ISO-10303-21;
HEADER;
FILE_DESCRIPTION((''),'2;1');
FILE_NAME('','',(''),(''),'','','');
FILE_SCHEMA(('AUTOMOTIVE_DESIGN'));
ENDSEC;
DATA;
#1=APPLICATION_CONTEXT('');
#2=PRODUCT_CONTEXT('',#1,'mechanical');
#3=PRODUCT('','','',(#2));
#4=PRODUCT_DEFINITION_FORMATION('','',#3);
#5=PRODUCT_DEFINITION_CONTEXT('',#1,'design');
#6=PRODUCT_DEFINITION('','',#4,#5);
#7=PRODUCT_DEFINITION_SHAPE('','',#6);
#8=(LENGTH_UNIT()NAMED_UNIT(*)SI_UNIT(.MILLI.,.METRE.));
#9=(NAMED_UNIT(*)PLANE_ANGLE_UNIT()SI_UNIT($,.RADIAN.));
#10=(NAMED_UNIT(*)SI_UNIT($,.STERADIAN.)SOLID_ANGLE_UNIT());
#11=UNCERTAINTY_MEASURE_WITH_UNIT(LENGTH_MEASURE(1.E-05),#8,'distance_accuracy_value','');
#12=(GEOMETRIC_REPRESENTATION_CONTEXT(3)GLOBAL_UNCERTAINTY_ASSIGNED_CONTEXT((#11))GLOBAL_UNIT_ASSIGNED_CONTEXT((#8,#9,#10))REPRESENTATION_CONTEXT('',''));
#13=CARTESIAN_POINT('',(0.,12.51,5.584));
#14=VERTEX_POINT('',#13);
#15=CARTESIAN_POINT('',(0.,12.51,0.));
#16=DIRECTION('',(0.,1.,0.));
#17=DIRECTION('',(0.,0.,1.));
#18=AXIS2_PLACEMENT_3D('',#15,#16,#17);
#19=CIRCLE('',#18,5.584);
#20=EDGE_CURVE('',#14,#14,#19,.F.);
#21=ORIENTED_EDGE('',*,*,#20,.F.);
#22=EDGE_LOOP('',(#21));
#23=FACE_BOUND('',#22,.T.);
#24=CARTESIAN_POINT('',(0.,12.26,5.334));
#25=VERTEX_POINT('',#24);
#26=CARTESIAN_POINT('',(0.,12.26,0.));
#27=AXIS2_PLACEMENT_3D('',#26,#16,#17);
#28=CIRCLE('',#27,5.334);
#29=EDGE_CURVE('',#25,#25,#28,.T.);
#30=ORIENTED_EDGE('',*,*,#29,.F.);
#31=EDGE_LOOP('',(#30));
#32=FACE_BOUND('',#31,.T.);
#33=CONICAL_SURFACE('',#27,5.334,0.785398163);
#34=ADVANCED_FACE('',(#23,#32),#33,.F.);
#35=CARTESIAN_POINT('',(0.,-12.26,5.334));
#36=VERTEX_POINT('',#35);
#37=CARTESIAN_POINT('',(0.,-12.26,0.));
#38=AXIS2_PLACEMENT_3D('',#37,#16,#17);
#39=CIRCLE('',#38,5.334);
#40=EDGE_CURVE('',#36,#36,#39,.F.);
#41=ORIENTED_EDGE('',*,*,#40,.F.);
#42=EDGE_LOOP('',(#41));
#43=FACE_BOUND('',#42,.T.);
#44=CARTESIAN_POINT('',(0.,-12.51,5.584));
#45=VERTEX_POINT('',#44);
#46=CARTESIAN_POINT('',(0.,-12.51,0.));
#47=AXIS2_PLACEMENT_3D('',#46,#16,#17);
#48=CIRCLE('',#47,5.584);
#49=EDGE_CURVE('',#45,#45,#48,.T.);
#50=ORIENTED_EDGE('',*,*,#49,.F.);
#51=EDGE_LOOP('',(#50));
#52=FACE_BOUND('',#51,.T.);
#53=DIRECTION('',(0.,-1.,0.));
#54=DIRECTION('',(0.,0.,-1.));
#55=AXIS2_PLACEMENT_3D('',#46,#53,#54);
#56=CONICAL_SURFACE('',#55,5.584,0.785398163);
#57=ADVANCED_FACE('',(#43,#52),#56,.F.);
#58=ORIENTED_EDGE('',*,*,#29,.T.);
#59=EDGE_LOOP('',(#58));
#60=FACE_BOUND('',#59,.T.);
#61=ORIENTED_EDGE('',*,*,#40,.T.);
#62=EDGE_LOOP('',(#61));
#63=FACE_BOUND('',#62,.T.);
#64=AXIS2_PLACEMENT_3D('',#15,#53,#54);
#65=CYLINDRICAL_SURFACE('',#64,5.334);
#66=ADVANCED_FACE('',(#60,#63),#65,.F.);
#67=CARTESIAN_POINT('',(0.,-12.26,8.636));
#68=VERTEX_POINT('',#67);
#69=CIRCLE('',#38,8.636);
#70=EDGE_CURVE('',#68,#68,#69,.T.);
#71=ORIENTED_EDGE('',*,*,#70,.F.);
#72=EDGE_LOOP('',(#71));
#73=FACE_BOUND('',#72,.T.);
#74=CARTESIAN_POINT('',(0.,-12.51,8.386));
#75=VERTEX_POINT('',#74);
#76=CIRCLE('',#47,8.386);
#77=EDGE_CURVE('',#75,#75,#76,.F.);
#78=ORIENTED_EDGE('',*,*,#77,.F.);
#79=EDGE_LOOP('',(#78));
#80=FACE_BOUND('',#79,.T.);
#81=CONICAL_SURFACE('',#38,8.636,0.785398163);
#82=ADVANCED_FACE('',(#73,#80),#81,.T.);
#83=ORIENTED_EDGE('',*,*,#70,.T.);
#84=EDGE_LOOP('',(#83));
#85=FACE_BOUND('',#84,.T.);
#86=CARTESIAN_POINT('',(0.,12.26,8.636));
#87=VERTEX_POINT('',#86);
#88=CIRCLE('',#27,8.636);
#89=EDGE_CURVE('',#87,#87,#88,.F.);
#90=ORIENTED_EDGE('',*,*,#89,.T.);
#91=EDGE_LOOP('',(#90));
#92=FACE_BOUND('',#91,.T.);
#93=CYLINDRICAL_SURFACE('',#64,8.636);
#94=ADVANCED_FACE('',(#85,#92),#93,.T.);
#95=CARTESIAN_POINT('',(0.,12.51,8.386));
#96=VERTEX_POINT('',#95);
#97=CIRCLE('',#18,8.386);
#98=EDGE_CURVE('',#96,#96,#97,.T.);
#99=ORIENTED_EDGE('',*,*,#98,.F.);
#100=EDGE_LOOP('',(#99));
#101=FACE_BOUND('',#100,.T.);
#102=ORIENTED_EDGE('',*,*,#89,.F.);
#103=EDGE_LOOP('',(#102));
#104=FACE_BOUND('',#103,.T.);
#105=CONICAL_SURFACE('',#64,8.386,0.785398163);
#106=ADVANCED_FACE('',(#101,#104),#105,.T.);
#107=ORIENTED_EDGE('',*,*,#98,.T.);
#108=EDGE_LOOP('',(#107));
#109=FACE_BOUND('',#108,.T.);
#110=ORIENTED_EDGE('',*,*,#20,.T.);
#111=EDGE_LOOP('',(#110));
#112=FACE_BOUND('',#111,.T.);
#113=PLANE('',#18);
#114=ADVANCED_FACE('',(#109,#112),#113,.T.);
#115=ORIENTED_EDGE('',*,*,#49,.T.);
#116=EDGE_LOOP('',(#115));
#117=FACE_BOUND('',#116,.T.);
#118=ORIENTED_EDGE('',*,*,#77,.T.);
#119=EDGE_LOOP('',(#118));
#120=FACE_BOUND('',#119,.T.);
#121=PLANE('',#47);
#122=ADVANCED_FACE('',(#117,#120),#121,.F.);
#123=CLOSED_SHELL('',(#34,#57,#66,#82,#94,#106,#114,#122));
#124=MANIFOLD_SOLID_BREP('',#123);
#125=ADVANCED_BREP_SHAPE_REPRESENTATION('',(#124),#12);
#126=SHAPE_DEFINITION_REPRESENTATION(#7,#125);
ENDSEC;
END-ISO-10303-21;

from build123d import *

# Parameters (mm, degrees)
SKETCH2_R           = 8.636
SKETCH2_R_2         = 5.334
EXTRUDE_THIN1_DEPTH = 12.51
CHAMFER1_SIZE       = 0.25


with BuildPart() as part:
    # Sketch2 → Extrude-Thin1 (new, symmetric)
    with BuildSketch(Plane(origin=(0, 0, 0), x_dir=(1, 0, 0), z_dir=(0, 1, 0))):
        Circle(SKETCH2_R)
        Circle(SKETCH2_R_2, mode=Mode.SUBTRACT)
    extrude(amount=EXTRUDE_THIN1_DEPTH, both=True)

    # Chamfer1
    chamfer1_edges = [part.edges().sort_by_distance(p)[0] for p in [
        (-8.636, -12.51, 0),
        (-8.636, 12.51, 0),
        (-5.334, -12.51, 0),
        (-5.334, 12.51, 0),
    ]]
    chamfer(chamfer1_edges, length=CHAMFER1_SIZE)


solid = part.part
